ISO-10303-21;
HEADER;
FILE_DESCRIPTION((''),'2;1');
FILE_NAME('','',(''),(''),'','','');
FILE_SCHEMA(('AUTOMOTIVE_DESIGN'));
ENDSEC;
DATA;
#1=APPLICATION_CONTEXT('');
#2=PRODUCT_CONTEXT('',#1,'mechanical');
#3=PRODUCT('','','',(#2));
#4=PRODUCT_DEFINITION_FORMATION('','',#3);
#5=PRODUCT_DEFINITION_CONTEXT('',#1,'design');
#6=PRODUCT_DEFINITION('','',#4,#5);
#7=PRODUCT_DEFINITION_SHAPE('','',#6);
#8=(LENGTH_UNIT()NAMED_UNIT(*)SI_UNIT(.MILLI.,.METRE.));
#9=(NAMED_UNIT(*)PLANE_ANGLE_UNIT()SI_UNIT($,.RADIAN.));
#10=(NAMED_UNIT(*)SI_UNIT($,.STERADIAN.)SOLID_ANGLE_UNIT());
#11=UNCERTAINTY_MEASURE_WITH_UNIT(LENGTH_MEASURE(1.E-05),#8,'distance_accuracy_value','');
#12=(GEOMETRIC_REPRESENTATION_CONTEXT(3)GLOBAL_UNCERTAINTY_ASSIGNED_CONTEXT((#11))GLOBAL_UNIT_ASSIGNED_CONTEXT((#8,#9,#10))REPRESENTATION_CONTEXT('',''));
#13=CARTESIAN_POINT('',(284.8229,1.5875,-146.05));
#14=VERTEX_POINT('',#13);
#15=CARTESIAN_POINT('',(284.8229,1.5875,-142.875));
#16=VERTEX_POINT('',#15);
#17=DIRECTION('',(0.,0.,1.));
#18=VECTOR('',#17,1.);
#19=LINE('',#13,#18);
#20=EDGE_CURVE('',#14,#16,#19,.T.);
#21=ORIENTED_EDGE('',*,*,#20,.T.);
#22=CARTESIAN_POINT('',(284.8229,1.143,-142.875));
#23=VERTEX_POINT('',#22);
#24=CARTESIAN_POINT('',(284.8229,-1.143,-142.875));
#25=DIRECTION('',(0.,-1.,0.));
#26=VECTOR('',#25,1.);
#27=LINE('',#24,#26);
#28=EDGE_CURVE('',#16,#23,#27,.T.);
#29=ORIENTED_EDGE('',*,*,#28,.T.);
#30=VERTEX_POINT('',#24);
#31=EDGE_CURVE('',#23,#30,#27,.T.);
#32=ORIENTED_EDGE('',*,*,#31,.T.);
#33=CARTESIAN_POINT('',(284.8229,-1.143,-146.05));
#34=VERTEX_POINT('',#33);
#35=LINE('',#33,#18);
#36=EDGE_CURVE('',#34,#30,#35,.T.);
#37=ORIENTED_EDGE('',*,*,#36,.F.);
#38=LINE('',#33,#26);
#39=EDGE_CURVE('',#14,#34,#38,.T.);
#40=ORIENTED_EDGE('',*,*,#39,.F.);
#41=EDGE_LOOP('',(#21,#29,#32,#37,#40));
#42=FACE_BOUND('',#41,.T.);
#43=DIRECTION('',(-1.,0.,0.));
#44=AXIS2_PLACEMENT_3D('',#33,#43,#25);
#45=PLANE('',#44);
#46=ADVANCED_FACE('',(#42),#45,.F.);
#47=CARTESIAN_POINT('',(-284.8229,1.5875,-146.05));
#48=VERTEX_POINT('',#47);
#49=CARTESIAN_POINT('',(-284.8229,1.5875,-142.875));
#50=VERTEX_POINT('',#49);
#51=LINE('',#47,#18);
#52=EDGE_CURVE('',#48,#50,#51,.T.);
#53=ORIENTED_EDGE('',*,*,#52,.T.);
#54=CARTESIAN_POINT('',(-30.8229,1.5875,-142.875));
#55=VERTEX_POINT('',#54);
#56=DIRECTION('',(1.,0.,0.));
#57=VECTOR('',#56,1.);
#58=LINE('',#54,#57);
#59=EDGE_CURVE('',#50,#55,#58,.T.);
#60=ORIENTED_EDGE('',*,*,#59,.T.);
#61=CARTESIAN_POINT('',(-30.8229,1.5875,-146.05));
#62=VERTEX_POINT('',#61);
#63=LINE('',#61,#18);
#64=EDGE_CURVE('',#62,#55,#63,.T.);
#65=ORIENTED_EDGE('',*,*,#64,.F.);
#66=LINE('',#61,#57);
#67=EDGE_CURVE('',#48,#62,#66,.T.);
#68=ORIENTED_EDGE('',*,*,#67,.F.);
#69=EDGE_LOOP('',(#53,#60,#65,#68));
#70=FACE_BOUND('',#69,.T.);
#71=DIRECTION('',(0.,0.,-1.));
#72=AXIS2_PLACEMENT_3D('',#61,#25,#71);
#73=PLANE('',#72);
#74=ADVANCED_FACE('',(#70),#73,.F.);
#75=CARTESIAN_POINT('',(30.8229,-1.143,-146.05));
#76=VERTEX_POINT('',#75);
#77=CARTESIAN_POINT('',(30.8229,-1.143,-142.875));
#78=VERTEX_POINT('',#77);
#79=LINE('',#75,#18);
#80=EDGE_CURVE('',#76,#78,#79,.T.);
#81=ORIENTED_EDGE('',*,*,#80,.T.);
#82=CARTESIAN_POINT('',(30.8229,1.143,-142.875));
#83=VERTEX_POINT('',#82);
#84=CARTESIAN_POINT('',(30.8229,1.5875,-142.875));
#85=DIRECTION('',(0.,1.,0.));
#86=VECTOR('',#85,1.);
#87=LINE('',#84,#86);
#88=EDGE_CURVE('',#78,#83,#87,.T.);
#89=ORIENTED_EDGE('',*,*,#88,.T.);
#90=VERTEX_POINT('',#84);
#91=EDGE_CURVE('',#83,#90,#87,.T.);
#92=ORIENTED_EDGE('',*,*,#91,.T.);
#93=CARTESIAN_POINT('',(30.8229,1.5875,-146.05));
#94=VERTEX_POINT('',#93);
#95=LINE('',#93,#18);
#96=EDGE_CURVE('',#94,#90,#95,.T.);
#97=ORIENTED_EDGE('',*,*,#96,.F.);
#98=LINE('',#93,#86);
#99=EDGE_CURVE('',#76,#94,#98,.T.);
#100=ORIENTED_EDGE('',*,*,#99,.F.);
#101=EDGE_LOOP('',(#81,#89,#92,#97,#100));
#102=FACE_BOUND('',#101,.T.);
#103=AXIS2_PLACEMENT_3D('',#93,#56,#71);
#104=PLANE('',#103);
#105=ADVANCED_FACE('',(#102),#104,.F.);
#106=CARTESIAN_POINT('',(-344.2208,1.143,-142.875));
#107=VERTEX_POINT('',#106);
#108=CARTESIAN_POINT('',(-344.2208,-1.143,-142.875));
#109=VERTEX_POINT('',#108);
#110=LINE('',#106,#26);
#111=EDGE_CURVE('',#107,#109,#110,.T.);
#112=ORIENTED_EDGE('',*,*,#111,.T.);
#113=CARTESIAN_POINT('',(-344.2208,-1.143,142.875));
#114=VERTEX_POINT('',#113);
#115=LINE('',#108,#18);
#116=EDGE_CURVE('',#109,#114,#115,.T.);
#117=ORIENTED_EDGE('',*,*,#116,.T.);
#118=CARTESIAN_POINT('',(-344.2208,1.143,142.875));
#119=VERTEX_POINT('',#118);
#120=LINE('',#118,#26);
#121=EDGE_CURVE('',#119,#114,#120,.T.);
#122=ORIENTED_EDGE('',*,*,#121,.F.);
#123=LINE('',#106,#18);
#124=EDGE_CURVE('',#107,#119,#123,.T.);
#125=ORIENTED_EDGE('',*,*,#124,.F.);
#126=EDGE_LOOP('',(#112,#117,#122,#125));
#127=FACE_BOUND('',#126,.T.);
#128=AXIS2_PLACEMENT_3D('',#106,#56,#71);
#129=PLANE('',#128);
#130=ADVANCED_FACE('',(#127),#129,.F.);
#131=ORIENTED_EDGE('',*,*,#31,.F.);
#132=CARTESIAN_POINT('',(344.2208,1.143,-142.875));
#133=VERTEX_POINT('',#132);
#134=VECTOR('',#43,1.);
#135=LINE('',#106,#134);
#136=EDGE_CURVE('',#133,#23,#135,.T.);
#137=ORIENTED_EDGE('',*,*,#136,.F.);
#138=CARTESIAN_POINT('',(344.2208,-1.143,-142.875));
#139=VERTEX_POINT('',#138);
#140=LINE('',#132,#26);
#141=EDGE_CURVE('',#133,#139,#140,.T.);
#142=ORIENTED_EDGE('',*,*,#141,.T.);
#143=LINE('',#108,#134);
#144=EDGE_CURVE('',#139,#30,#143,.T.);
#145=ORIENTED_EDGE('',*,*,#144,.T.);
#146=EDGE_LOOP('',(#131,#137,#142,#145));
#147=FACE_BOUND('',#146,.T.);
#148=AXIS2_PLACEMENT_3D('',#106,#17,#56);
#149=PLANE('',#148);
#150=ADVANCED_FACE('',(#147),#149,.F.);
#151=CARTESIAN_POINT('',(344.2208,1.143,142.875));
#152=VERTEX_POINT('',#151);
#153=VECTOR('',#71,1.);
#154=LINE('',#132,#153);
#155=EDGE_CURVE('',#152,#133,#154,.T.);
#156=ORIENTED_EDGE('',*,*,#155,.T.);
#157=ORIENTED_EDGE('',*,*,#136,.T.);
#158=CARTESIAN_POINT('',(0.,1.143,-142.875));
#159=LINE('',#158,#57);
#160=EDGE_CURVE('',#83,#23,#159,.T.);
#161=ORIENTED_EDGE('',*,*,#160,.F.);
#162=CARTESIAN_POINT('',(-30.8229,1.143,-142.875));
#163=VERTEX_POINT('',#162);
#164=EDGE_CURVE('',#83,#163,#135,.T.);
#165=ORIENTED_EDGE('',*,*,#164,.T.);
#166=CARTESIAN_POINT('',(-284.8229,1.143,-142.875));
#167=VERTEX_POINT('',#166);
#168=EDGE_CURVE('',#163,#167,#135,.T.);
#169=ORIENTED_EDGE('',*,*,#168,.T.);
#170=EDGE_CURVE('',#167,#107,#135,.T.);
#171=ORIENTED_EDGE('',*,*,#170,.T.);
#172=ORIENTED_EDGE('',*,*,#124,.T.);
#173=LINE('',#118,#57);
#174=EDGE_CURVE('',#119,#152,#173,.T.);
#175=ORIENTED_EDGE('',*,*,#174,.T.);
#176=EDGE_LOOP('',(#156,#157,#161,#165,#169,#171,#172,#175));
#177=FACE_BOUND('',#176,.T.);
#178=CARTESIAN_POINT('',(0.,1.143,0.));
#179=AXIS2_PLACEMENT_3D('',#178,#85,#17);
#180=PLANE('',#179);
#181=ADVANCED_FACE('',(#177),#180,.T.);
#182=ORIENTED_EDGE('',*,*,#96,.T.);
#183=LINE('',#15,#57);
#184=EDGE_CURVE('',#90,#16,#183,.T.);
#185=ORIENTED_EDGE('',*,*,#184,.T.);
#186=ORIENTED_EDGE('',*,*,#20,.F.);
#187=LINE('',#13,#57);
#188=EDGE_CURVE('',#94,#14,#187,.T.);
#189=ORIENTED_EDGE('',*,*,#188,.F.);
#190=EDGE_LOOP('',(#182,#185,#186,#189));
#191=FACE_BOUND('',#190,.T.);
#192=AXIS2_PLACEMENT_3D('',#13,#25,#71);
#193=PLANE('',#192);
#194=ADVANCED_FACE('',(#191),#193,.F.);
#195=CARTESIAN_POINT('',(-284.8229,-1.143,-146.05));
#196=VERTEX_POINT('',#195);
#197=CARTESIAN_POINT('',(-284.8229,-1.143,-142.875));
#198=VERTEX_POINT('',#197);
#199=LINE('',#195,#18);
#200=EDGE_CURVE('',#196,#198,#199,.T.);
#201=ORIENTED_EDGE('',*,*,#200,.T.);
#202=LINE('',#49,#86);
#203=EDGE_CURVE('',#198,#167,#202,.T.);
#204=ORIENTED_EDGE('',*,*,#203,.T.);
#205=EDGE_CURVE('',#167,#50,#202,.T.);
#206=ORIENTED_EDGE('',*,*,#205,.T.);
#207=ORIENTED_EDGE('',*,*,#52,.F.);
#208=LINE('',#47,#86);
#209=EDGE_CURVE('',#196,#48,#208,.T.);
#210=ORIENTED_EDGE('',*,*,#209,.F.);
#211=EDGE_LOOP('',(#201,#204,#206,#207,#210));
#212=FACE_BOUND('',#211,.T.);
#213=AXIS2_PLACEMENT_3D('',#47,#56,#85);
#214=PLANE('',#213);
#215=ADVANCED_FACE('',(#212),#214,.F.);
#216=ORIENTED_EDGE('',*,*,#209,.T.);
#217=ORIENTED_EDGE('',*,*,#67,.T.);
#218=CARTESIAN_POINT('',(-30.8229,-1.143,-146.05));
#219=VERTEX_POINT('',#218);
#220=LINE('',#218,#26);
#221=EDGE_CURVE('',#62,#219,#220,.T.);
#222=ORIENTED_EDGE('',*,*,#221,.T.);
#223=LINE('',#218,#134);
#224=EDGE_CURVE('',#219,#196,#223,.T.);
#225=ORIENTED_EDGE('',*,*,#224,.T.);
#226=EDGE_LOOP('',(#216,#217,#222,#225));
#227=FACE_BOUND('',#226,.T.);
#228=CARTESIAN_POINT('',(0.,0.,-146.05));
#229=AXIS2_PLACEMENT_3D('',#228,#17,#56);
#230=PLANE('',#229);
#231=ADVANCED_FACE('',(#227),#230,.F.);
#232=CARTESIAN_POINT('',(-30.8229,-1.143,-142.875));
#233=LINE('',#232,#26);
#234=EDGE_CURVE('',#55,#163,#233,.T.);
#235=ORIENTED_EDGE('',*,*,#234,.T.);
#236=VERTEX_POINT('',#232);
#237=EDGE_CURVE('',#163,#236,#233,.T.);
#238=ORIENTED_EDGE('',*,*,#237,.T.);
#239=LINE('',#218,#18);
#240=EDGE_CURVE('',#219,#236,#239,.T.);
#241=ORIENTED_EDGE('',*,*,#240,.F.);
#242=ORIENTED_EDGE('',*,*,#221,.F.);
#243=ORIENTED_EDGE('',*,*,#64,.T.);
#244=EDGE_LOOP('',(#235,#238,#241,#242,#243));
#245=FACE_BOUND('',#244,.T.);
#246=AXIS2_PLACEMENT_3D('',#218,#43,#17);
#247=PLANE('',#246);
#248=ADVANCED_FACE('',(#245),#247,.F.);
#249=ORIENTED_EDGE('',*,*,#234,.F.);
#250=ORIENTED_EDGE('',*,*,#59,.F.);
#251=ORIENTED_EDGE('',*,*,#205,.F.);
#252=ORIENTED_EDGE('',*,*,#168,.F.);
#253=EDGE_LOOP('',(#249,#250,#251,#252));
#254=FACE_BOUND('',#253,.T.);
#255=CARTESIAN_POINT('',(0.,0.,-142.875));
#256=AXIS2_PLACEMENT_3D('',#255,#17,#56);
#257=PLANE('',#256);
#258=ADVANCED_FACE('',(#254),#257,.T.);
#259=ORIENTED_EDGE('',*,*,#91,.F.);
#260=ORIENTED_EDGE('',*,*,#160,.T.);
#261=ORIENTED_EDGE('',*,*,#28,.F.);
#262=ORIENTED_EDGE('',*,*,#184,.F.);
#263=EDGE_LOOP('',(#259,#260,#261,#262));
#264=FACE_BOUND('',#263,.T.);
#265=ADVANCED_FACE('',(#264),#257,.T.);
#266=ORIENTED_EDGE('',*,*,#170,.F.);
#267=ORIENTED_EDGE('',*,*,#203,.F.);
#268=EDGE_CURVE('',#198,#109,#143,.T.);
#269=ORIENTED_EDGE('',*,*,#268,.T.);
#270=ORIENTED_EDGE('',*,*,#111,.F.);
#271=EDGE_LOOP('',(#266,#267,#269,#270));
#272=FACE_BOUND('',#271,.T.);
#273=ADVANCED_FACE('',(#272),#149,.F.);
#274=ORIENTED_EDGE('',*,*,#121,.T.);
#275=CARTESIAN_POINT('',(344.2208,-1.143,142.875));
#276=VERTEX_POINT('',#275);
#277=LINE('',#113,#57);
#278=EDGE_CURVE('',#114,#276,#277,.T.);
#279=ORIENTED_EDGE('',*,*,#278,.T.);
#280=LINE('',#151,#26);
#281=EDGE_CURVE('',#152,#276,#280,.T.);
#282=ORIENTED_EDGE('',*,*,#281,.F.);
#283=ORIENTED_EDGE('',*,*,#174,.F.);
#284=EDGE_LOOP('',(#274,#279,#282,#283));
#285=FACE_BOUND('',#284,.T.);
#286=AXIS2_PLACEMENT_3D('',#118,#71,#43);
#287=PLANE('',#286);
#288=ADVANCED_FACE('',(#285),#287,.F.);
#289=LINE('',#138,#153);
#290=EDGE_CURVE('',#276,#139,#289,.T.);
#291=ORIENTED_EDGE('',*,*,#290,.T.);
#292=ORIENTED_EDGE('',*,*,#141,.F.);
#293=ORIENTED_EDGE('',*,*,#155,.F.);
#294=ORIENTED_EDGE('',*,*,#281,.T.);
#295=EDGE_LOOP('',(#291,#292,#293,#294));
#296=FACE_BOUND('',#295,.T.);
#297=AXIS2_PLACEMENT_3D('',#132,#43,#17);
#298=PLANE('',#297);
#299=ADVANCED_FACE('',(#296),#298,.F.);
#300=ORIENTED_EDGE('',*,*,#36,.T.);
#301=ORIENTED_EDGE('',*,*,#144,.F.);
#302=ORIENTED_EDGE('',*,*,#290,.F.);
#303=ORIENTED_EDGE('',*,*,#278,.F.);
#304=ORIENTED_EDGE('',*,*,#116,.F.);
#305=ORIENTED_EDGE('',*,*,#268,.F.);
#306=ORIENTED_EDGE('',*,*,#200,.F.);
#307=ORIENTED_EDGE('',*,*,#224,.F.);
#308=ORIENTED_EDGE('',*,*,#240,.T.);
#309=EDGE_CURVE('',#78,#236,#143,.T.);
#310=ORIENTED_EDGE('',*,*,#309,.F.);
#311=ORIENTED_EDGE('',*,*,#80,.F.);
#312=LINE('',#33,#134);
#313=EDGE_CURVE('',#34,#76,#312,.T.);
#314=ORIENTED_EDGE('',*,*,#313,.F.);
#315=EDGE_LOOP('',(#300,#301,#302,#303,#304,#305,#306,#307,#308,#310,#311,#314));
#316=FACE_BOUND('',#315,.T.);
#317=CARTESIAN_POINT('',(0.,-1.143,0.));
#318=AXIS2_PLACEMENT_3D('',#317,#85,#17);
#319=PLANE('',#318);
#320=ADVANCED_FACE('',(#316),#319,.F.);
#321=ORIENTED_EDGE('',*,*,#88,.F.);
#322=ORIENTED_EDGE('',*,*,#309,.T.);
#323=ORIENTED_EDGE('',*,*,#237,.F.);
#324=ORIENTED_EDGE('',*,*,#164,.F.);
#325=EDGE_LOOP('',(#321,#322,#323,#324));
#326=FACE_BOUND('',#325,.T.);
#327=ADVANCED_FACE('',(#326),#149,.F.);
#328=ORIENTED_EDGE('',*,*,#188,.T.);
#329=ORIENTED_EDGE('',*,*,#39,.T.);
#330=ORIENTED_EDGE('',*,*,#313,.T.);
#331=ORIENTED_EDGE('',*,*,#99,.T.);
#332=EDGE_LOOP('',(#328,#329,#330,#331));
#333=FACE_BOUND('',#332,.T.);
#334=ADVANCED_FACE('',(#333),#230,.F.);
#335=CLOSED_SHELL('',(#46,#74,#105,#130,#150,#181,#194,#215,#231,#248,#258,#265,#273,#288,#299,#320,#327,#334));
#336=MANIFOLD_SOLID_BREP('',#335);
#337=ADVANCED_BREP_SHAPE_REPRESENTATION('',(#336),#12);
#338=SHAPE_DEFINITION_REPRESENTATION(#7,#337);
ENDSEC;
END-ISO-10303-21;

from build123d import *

# Parameters (mm, degrees)
SKETCH1_W           = 688.4416
SKETCH1_H           = 285.75
BOSS_EXTRUDE1_DEPTH = 1.143
SKETCH2_W           = 254
SKETCH2_H           = 2.7305
BOSS_EXTRUDE2_DEPTH = 3.175


with BuildPart() as part:
    # Sketch1 → Boss-Extrude1 (new, symmetric)
    with BuildSketch(Plane(origin=(0, 0, 0), x_dir=(1, 0, 0), z_dir=(0, 1, 0))):
        Rectangle(SKETCH1_W, SKETCH1_H)
    extrude(amount=BOSS_EXTRUDE1_DEPTH, both=True)

    # Sketch2 → Boss-Extrude2 (add)
    with BuildSketch(Plane(origin=(0, 0, -142.875), x_dir=(-1, 0, 0), z_dir=(0, 0, -1))):
        with Locations((-157.8229, 0.22225)):
            Rectangle(SKETCH2_W, SKETCH2_H)
        with Locations((157.8229, 0.22225)):
            Rectangle(SKETCH2_W, SKETCH2_H)
    extrude(amount=BOSS_EXTRUDE2_DEPTH)


solid = part.part
